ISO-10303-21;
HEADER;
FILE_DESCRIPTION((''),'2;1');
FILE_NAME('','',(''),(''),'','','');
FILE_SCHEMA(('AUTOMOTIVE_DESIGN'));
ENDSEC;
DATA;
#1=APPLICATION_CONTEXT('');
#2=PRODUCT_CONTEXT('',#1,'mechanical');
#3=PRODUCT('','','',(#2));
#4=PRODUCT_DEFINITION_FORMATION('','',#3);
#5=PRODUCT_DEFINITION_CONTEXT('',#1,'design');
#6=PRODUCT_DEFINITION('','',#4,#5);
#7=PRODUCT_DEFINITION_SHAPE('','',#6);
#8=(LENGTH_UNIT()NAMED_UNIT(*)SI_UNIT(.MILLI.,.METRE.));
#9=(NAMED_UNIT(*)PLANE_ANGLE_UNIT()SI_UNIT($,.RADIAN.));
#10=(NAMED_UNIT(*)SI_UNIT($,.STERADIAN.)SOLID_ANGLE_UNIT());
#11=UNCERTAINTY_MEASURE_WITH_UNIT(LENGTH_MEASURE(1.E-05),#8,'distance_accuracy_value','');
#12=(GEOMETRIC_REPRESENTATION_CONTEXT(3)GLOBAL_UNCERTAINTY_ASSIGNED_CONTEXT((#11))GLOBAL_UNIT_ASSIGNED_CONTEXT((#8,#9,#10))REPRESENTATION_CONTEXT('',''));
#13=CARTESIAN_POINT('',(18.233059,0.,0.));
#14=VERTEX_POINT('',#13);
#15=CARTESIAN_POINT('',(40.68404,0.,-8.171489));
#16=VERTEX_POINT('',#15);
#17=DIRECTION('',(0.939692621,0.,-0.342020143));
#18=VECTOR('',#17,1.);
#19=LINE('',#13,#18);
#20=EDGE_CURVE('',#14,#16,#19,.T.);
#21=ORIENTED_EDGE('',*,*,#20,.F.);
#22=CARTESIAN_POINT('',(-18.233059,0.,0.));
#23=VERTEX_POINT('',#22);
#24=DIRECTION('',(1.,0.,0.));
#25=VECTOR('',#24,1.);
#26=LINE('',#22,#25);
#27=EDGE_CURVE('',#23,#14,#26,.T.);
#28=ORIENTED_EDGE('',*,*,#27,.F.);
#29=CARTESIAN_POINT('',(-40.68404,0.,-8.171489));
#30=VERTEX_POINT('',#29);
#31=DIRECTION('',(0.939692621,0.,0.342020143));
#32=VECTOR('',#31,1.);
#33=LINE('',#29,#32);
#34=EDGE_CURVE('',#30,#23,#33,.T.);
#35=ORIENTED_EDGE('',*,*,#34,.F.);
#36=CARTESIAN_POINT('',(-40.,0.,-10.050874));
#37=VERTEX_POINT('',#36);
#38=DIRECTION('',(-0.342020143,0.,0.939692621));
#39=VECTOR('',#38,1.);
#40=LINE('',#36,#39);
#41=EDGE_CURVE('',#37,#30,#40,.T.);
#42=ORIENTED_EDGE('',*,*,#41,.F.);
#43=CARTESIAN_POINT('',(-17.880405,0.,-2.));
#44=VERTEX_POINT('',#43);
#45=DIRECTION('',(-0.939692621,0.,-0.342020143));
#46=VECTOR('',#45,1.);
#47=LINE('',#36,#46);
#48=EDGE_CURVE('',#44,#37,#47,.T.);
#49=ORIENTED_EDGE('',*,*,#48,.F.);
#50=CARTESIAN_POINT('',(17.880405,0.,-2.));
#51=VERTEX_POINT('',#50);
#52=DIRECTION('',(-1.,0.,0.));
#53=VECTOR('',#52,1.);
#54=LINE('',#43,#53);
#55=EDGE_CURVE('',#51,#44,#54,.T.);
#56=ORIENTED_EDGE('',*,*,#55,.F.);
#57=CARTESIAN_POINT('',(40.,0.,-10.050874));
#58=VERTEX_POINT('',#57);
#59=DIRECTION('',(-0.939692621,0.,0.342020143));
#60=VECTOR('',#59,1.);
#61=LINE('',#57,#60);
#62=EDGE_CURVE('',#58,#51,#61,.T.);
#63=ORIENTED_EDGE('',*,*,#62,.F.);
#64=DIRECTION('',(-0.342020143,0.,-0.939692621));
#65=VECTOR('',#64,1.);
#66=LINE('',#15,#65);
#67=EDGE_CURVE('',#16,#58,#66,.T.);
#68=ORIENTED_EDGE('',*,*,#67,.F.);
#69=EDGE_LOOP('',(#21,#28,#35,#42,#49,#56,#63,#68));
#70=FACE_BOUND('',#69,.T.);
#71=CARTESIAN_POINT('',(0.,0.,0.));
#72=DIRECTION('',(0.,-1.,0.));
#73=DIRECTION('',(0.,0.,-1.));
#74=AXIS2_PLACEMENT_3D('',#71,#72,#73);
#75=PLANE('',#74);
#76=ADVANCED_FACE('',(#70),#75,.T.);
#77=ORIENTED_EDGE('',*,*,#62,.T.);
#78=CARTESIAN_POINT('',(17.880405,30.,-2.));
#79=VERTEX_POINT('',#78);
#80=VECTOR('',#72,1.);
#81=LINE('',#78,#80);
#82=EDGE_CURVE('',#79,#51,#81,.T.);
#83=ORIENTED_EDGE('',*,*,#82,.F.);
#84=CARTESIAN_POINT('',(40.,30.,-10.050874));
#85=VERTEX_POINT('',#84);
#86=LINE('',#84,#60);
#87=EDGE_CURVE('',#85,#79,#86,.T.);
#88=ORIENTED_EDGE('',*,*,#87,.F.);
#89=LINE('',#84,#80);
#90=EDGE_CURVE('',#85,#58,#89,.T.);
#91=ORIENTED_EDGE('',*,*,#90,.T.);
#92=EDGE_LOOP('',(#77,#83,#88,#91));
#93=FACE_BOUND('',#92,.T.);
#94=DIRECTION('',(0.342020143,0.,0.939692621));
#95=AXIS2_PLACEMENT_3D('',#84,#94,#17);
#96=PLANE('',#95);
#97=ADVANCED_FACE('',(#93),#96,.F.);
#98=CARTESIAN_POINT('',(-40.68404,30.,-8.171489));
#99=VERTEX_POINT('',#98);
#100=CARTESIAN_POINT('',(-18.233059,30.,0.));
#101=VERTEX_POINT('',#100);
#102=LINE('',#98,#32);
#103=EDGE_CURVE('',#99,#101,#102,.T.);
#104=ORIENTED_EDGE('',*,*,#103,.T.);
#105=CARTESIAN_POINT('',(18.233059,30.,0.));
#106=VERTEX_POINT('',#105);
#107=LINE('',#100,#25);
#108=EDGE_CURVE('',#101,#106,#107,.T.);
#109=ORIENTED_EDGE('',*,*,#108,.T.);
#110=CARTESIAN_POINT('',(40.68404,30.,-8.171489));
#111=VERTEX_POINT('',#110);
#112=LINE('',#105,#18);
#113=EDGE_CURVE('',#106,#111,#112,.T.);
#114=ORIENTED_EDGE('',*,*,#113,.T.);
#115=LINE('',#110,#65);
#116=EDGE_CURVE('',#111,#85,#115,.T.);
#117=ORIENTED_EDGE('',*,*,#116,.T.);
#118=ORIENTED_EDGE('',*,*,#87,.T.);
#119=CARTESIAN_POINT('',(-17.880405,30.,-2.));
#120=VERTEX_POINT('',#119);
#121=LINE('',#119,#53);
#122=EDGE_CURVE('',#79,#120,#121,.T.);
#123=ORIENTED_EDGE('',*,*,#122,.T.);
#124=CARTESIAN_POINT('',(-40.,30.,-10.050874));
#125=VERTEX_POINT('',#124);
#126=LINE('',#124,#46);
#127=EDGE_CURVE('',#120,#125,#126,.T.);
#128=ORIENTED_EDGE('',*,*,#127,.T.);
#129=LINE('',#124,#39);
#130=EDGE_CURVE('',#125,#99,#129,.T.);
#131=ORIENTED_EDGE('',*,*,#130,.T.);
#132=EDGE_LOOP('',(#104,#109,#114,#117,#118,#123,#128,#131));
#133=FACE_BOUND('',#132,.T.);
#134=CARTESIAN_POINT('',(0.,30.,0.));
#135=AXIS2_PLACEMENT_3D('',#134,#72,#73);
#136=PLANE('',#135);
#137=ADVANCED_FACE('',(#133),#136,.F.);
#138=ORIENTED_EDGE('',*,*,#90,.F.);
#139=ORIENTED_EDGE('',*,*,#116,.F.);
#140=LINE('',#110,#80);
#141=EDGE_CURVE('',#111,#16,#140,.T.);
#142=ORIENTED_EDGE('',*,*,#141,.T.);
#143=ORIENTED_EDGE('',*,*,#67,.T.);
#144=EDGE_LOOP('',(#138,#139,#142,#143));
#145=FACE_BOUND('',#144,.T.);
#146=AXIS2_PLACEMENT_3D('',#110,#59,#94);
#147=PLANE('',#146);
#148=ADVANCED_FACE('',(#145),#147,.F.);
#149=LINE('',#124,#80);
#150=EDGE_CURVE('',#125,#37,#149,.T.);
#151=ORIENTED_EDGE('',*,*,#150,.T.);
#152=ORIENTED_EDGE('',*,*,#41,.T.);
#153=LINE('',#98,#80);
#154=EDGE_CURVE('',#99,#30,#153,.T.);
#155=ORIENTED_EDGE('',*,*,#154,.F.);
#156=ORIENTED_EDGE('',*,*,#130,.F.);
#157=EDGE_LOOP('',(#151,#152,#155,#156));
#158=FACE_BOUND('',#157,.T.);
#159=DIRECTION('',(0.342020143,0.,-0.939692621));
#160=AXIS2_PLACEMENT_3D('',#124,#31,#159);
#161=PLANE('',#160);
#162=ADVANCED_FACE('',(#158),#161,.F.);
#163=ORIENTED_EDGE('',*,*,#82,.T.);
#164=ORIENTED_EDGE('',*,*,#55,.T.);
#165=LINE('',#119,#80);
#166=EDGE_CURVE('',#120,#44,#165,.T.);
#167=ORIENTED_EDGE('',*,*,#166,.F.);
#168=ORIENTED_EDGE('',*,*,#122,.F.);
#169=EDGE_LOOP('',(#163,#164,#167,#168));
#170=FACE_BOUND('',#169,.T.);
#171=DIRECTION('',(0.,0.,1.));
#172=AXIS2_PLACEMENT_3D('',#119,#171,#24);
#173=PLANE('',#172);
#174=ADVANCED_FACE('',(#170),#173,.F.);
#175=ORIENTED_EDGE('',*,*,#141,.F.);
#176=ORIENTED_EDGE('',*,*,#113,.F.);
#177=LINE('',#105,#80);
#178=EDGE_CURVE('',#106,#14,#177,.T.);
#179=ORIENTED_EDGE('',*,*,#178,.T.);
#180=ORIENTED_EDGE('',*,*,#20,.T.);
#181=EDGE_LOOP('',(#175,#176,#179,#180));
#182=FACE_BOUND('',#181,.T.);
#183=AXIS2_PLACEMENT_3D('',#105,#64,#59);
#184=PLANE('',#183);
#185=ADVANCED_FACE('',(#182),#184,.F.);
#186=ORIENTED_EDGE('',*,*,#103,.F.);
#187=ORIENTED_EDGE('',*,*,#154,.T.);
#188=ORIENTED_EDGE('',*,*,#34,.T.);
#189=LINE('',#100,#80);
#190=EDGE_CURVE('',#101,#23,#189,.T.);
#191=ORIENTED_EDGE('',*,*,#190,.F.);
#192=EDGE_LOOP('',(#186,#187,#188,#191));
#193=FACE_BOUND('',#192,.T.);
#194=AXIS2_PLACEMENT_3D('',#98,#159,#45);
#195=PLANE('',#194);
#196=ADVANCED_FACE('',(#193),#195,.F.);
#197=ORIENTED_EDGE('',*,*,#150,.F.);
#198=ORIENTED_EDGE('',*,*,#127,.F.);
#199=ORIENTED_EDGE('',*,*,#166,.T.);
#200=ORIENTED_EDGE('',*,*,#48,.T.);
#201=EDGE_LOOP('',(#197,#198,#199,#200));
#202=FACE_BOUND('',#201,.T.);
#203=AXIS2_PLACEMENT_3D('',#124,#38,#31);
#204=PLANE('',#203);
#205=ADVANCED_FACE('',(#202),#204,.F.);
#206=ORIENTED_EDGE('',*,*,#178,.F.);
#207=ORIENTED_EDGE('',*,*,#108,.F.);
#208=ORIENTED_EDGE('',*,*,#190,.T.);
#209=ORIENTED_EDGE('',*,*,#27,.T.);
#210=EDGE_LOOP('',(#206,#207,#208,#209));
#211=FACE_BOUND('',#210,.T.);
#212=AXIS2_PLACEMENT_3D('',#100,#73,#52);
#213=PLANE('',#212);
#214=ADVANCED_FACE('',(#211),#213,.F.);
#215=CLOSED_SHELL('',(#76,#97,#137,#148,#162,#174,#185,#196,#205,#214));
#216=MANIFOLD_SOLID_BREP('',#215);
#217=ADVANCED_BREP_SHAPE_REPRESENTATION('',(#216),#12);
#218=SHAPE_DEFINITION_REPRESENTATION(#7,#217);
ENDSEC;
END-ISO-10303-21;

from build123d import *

# Parameters (mm, degrees)
BOSS_EXTRUDE1_DEPTH = 30


with BuildPart() as part:
    # Sketch5 → Boss-Extrude1 (new body)
    with BuildSketch(Plane(origin=(0, 0, 0), x_dir=(1, 0, 0), z_dir=(0, 1, 0))):
        Polygon((-40.684040287, 8.171489044), (-18.233058655, 0), (18.233058655, 0), (40.684040287, 8.171489044), (40, 10.050874286), (17.880404694, 2), (-17.880404694, 2), (-40, 10.050874286), align=None)
    extrude(amount=BOSS_EXTRUDE1_DEPTH)


solid = part.part
